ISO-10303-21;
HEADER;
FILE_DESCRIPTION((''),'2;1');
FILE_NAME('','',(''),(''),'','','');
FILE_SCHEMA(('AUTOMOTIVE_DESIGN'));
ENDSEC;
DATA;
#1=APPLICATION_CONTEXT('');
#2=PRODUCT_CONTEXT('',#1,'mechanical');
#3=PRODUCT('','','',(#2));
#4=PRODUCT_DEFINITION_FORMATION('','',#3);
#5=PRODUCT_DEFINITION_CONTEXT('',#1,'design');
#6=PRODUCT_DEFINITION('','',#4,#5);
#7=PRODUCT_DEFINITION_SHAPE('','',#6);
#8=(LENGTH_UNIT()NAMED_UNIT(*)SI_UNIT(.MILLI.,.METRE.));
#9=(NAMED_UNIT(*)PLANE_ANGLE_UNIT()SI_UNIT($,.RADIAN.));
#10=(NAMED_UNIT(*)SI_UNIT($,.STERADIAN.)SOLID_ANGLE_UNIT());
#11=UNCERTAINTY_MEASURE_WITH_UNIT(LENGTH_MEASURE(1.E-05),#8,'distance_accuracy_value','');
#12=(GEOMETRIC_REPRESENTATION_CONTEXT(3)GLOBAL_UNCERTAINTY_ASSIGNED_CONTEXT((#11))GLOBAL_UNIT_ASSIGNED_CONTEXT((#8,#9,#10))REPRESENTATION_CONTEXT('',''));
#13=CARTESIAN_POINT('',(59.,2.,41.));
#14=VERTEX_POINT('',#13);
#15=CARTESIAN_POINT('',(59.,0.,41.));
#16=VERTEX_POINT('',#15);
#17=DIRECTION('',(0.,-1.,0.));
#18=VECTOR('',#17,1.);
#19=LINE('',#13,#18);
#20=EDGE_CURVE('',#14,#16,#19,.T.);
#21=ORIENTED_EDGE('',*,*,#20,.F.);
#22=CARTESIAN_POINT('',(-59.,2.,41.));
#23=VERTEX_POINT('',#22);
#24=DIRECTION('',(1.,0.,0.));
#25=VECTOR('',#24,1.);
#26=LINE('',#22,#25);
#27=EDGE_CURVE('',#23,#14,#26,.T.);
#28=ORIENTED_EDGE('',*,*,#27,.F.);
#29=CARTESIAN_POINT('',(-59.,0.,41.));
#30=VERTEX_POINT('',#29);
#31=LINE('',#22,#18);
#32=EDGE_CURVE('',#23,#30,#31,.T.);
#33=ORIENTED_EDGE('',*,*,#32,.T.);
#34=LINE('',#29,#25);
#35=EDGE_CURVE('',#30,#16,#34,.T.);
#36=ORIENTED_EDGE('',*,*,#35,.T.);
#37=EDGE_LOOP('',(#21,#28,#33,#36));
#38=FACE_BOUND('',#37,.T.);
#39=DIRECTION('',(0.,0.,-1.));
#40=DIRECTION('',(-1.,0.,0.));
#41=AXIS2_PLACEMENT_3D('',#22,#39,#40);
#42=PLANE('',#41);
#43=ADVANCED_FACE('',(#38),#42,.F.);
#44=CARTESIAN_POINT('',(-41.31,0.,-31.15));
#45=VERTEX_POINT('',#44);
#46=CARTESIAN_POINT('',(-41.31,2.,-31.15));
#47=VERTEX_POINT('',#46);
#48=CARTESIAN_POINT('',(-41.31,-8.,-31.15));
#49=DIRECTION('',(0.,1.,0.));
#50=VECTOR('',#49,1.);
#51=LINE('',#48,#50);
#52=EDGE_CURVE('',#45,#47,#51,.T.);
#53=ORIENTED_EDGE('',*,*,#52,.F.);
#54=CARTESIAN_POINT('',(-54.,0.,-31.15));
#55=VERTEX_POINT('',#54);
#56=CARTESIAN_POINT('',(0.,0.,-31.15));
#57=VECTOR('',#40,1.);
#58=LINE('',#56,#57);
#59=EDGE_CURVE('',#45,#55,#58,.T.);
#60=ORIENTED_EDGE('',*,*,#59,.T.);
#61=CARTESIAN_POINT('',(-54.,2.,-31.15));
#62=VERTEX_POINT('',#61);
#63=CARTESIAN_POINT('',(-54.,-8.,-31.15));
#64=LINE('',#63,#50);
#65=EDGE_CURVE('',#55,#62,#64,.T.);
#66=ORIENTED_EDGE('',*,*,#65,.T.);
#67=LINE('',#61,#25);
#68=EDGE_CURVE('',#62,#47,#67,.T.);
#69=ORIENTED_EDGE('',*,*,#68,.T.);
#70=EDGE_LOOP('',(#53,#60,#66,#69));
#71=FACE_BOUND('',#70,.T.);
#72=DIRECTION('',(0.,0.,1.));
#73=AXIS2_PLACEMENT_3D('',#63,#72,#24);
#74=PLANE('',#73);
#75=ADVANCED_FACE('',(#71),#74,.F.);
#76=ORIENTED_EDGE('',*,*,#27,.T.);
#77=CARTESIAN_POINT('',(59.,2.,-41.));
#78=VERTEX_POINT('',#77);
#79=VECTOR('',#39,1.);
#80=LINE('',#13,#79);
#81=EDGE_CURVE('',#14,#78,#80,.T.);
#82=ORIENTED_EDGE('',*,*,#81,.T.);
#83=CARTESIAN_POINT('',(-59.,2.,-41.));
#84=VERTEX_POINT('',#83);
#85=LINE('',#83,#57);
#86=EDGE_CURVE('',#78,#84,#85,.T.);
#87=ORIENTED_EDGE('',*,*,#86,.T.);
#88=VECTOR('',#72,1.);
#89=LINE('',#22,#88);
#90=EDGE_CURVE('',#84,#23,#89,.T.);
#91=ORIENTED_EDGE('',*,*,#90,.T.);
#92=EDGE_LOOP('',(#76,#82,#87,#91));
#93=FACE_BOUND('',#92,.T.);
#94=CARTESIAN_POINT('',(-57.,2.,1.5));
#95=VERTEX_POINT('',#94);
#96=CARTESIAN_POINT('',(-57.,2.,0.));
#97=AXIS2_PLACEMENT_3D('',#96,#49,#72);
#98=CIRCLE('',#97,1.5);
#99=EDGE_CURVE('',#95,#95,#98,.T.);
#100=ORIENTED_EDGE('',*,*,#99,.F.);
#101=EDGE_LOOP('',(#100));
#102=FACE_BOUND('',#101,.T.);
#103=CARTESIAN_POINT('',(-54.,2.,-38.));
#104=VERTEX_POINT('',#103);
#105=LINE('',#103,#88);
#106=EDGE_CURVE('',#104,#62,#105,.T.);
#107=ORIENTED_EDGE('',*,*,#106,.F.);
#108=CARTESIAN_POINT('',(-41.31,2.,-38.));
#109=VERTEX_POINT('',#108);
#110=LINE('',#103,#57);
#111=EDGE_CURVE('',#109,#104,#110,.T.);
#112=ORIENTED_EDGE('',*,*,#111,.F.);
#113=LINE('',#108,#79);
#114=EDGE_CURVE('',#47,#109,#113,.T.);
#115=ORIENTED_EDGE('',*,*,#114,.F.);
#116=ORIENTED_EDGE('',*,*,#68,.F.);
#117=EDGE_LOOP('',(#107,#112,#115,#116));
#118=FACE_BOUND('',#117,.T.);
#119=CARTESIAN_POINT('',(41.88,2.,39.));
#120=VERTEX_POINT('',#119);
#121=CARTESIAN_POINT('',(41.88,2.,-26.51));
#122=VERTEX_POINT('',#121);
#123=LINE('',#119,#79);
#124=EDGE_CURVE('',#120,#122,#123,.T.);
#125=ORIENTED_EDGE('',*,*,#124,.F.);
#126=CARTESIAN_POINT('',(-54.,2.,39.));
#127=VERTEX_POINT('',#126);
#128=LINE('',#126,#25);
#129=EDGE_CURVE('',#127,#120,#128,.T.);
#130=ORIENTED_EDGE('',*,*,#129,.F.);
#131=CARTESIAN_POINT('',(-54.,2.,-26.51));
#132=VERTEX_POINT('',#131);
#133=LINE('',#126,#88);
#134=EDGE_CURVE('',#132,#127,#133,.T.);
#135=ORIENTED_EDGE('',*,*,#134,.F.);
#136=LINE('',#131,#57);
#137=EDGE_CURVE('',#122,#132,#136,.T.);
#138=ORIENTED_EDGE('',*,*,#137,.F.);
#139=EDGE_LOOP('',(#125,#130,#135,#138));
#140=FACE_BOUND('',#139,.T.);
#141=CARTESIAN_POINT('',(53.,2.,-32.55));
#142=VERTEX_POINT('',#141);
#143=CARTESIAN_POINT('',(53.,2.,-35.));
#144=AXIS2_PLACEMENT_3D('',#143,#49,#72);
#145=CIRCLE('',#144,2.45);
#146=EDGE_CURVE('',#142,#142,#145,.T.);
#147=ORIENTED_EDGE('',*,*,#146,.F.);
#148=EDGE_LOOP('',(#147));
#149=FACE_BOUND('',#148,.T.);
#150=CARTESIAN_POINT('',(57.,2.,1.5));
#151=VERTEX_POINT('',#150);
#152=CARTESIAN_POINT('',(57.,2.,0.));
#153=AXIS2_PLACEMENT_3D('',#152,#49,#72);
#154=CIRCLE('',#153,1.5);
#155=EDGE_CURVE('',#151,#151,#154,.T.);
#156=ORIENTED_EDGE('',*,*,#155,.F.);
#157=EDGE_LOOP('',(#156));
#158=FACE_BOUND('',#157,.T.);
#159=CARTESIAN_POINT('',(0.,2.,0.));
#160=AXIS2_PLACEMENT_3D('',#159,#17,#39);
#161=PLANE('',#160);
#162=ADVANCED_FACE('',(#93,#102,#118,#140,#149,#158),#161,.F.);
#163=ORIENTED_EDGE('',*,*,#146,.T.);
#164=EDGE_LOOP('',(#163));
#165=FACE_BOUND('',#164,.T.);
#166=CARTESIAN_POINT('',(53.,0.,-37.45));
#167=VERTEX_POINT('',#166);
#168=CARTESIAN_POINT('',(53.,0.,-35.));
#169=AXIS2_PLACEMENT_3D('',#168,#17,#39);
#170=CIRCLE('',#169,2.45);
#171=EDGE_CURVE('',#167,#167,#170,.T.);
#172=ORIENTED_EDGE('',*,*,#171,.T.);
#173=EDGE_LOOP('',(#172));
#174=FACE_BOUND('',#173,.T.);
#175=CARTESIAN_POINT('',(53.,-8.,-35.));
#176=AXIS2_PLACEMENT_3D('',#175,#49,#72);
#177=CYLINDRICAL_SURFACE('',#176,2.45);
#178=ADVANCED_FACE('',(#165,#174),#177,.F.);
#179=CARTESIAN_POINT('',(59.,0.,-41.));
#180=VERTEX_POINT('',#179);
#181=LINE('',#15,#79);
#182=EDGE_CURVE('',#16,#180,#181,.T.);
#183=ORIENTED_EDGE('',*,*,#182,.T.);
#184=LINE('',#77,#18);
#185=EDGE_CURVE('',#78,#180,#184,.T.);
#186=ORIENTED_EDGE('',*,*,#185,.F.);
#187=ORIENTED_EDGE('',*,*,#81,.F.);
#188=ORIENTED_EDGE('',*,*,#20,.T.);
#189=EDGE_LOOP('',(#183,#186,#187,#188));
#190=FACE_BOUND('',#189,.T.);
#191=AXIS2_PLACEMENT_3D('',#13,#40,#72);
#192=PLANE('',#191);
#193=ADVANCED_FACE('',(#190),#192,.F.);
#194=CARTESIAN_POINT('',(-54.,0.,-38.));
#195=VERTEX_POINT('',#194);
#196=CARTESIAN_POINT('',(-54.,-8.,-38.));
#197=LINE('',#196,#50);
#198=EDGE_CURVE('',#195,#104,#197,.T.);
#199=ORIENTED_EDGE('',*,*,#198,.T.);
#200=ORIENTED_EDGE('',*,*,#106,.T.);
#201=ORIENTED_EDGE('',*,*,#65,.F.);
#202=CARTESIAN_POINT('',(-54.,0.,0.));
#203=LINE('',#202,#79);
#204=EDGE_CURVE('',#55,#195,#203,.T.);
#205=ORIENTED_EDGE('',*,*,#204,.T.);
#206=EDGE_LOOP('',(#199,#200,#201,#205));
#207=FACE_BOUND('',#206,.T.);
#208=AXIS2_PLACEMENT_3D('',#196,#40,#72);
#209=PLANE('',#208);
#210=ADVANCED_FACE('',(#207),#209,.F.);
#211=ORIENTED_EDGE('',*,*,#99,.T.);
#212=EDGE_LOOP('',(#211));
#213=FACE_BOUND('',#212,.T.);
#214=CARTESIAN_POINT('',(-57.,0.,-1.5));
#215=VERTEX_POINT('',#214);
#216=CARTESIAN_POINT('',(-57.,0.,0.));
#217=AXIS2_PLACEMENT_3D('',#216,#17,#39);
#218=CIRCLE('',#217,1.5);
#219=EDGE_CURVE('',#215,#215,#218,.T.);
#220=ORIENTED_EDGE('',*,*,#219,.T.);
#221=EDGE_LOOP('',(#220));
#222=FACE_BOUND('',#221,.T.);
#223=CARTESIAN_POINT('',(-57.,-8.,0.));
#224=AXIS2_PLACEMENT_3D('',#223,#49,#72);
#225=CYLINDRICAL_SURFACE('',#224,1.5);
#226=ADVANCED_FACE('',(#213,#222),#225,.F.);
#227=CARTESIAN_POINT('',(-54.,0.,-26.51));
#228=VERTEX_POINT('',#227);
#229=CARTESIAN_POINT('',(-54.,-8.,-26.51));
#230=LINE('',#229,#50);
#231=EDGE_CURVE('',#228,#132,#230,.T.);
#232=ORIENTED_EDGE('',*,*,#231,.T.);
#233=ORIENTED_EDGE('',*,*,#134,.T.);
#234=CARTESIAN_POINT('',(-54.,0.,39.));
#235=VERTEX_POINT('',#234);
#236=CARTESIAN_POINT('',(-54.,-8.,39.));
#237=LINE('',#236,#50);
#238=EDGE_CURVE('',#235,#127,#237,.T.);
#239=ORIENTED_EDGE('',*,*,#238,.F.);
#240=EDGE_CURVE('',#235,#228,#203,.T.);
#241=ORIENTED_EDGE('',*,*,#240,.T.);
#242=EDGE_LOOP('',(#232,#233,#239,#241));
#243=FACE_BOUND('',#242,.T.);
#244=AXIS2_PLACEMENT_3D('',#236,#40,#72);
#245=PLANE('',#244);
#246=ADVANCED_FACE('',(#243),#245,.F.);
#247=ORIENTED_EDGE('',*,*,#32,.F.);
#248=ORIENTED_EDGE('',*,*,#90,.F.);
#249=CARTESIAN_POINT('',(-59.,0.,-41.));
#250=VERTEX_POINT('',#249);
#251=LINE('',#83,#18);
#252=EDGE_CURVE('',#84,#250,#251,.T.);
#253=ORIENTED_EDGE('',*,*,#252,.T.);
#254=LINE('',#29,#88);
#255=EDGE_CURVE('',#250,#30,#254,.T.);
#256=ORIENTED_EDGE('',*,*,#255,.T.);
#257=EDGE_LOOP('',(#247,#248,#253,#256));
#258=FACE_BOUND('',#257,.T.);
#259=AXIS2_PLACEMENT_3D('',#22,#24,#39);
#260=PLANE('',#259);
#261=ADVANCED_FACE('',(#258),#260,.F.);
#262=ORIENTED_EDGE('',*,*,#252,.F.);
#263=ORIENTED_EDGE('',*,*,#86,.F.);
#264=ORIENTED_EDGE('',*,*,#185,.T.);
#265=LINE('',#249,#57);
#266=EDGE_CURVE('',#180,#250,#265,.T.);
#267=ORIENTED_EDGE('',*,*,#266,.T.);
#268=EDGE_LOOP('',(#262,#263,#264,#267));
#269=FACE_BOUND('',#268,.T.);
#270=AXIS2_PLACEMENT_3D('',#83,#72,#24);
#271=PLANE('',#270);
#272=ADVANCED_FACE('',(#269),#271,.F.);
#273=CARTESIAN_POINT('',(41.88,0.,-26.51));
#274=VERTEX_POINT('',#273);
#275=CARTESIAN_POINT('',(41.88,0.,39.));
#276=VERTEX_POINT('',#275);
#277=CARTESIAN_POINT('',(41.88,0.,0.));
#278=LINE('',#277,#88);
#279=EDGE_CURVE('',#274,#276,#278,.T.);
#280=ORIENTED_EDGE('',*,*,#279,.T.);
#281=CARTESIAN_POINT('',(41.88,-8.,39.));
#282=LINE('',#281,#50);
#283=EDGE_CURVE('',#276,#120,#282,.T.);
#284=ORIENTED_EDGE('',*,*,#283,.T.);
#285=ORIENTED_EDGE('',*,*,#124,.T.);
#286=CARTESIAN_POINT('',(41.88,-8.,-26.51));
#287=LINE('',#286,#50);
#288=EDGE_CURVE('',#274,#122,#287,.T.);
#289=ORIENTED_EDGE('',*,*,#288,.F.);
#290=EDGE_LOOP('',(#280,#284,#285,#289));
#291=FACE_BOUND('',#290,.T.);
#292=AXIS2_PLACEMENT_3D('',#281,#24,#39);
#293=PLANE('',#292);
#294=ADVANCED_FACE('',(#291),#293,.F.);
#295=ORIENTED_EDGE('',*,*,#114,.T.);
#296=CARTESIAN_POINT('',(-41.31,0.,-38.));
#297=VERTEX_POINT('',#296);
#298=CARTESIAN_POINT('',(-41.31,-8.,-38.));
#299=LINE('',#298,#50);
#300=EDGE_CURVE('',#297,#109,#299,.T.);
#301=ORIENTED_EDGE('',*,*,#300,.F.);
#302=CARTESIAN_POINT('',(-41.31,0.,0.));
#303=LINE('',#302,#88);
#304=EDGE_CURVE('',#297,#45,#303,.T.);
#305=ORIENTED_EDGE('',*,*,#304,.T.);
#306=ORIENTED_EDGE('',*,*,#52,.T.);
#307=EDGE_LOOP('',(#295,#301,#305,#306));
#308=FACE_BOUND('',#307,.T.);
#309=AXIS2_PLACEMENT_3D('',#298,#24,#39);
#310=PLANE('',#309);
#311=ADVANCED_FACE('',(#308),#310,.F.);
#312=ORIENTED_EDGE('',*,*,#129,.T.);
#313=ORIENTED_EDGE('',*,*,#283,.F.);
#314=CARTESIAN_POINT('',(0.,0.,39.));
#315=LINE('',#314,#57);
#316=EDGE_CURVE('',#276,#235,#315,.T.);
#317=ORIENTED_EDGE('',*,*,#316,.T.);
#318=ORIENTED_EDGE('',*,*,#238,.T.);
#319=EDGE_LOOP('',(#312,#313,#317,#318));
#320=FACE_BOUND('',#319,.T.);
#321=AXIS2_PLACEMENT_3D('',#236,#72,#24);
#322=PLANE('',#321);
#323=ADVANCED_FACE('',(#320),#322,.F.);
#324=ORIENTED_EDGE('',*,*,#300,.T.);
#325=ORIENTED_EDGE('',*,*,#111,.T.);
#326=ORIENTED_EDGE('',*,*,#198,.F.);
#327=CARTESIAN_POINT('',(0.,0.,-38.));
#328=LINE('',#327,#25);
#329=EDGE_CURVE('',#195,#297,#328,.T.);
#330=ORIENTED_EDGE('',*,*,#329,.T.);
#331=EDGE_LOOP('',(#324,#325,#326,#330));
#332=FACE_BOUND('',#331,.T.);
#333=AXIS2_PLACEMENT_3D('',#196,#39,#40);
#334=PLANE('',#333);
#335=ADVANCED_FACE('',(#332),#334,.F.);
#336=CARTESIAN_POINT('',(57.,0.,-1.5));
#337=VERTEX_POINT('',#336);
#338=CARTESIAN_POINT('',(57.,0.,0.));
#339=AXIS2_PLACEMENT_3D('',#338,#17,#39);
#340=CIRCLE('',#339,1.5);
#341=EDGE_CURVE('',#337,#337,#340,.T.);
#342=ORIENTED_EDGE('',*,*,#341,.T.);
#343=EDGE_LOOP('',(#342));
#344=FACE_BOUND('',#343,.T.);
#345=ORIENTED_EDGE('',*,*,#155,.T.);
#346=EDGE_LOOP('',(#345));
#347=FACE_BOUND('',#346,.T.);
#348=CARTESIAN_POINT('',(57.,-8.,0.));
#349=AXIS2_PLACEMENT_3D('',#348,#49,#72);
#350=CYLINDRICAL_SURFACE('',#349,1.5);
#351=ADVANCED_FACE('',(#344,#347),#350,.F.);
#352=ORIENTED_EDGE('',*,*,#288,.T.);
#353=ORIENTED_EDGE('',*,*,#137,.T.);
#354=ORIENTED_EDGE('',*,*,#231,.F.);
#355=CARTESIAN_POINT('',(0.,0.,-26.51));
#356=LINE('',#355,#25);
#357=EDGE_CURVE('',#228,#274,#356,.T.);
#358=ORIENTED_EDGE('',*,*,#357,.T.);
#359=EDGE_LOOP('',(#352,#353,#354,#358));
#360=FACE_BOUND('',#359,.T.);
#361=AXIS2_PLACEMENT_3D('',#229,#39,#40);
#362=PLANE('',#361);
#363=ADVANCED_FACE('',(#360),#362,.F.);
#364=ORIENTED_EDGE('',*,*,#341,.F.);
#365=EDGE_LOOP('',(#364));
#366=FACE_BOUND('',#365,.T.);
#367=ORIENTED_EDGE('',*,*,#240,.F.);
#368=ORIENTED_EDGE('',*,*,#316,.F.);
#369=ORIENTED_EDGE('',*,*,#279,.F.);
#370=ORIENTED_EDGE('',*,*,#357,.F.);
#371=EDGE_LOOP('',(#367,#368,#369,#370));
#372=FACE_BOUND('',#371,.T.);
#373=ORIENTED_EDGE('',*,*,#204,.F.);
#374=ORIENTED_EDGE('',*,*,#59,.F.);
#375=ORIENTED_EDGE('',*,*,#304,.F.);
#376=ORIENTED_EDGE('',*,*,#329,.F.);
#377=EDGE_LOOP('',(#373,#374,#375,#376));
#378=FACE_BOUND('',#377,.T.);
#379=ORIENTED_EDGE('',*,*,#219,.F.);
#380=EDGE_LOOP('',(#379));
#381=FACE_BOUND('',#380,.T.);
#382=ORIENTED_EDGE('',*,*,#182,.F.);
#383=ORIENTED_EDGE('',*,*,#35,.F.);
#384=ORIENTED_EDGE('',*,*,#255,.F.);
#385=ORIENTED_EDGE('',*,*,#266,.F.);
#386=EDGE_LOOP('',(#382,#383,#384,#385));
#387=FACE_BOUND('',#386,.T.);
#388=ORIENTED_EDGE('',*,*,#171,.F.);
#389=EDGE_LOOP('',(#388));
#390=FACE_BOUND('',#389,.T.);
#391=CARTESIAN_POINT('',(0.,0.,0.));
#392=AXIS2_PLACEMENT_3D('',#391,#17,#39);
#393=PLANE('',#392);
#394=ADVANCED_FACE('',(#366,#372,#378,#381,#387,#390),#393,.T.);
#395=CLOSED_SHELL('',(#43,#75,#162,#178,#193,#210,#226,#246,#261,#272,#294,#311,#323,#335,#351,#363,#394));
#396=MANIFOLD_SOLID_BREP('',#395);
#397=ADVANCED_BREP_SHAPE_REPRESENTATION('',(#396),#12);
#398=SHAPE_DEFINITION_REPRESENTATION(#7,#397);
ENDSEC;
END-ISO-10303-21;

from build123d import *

# Parameters (mm, degrees)
SKETCH1_W           = 118
SKETCH1_H           = 82
BOSS_EXTRUDE1_DEPTH = 2
SKETCH2_R           = 2.45
SKETCH2_W           = 95.88
SKETCH2_H           = 65.51
SKETCH2_W_2         = 12.69
SKETCH2_H_2         = 6.85
CUT_EXTRUDE4_DEPTH  = 10
SKETCH3_R           = 1.5
CUT_EXTRUDE7_DEPTH  = 10


with BuildPart() as part:
    # Sketch1 → Boss-Extrude1 (new body)
    with BuildSketch(Plane(origin=(0, 0, 0), x_dir=(1, 0, 0), z_dir=(0, 1, 0))):
        Rectangle(SKETCH1_W, SKETCH1_H)
    extrude(amount=BOSS_EXTRUDE1_DEPTH)

    # Sketch2 → Cut-Extrude4 (cut)
    with BuildSketch(Plane(origin=(0, 2, 0), x_dir=(1, 0, 0), z_dir=(0, 1, 0))):
        with Locations(Location((53, 35, 0), (0, 0, 270))):
            Circle(SKETCH2_R)
        with Locations((-6.06, -6.245)):
            Rectangle(SKETCH2_W, SKETCH2_H)
        with Locations((-47.655, 34.575)):
            Rectangle(SKETCH2_W_2, SKETCH2_H_2)
    extrude(amount=-CUT_EXTRUDE4_DEPTH, mode=Mode.SUBTRACT)

    # Sketch3 → Cut-Extrude7 (cut)
    with BuildSketch(Plane(origin=(0, 2, 0), x_dir=(1, 0, 0), z_dir=(0, 1, 0))):
        with Locations(Location((57, 0, 0), (0, 0, 270))):
            Circle(SKETCH3_R)
        with Locations(Location((-57, 0, 0), (0, 0, 270))):
            Circle(SKETCH3_R)
    extrude(amount=-CUT_EXTRUDE7_DEPTH, mode=Mode.SUBTRACT)


solid = part.part
